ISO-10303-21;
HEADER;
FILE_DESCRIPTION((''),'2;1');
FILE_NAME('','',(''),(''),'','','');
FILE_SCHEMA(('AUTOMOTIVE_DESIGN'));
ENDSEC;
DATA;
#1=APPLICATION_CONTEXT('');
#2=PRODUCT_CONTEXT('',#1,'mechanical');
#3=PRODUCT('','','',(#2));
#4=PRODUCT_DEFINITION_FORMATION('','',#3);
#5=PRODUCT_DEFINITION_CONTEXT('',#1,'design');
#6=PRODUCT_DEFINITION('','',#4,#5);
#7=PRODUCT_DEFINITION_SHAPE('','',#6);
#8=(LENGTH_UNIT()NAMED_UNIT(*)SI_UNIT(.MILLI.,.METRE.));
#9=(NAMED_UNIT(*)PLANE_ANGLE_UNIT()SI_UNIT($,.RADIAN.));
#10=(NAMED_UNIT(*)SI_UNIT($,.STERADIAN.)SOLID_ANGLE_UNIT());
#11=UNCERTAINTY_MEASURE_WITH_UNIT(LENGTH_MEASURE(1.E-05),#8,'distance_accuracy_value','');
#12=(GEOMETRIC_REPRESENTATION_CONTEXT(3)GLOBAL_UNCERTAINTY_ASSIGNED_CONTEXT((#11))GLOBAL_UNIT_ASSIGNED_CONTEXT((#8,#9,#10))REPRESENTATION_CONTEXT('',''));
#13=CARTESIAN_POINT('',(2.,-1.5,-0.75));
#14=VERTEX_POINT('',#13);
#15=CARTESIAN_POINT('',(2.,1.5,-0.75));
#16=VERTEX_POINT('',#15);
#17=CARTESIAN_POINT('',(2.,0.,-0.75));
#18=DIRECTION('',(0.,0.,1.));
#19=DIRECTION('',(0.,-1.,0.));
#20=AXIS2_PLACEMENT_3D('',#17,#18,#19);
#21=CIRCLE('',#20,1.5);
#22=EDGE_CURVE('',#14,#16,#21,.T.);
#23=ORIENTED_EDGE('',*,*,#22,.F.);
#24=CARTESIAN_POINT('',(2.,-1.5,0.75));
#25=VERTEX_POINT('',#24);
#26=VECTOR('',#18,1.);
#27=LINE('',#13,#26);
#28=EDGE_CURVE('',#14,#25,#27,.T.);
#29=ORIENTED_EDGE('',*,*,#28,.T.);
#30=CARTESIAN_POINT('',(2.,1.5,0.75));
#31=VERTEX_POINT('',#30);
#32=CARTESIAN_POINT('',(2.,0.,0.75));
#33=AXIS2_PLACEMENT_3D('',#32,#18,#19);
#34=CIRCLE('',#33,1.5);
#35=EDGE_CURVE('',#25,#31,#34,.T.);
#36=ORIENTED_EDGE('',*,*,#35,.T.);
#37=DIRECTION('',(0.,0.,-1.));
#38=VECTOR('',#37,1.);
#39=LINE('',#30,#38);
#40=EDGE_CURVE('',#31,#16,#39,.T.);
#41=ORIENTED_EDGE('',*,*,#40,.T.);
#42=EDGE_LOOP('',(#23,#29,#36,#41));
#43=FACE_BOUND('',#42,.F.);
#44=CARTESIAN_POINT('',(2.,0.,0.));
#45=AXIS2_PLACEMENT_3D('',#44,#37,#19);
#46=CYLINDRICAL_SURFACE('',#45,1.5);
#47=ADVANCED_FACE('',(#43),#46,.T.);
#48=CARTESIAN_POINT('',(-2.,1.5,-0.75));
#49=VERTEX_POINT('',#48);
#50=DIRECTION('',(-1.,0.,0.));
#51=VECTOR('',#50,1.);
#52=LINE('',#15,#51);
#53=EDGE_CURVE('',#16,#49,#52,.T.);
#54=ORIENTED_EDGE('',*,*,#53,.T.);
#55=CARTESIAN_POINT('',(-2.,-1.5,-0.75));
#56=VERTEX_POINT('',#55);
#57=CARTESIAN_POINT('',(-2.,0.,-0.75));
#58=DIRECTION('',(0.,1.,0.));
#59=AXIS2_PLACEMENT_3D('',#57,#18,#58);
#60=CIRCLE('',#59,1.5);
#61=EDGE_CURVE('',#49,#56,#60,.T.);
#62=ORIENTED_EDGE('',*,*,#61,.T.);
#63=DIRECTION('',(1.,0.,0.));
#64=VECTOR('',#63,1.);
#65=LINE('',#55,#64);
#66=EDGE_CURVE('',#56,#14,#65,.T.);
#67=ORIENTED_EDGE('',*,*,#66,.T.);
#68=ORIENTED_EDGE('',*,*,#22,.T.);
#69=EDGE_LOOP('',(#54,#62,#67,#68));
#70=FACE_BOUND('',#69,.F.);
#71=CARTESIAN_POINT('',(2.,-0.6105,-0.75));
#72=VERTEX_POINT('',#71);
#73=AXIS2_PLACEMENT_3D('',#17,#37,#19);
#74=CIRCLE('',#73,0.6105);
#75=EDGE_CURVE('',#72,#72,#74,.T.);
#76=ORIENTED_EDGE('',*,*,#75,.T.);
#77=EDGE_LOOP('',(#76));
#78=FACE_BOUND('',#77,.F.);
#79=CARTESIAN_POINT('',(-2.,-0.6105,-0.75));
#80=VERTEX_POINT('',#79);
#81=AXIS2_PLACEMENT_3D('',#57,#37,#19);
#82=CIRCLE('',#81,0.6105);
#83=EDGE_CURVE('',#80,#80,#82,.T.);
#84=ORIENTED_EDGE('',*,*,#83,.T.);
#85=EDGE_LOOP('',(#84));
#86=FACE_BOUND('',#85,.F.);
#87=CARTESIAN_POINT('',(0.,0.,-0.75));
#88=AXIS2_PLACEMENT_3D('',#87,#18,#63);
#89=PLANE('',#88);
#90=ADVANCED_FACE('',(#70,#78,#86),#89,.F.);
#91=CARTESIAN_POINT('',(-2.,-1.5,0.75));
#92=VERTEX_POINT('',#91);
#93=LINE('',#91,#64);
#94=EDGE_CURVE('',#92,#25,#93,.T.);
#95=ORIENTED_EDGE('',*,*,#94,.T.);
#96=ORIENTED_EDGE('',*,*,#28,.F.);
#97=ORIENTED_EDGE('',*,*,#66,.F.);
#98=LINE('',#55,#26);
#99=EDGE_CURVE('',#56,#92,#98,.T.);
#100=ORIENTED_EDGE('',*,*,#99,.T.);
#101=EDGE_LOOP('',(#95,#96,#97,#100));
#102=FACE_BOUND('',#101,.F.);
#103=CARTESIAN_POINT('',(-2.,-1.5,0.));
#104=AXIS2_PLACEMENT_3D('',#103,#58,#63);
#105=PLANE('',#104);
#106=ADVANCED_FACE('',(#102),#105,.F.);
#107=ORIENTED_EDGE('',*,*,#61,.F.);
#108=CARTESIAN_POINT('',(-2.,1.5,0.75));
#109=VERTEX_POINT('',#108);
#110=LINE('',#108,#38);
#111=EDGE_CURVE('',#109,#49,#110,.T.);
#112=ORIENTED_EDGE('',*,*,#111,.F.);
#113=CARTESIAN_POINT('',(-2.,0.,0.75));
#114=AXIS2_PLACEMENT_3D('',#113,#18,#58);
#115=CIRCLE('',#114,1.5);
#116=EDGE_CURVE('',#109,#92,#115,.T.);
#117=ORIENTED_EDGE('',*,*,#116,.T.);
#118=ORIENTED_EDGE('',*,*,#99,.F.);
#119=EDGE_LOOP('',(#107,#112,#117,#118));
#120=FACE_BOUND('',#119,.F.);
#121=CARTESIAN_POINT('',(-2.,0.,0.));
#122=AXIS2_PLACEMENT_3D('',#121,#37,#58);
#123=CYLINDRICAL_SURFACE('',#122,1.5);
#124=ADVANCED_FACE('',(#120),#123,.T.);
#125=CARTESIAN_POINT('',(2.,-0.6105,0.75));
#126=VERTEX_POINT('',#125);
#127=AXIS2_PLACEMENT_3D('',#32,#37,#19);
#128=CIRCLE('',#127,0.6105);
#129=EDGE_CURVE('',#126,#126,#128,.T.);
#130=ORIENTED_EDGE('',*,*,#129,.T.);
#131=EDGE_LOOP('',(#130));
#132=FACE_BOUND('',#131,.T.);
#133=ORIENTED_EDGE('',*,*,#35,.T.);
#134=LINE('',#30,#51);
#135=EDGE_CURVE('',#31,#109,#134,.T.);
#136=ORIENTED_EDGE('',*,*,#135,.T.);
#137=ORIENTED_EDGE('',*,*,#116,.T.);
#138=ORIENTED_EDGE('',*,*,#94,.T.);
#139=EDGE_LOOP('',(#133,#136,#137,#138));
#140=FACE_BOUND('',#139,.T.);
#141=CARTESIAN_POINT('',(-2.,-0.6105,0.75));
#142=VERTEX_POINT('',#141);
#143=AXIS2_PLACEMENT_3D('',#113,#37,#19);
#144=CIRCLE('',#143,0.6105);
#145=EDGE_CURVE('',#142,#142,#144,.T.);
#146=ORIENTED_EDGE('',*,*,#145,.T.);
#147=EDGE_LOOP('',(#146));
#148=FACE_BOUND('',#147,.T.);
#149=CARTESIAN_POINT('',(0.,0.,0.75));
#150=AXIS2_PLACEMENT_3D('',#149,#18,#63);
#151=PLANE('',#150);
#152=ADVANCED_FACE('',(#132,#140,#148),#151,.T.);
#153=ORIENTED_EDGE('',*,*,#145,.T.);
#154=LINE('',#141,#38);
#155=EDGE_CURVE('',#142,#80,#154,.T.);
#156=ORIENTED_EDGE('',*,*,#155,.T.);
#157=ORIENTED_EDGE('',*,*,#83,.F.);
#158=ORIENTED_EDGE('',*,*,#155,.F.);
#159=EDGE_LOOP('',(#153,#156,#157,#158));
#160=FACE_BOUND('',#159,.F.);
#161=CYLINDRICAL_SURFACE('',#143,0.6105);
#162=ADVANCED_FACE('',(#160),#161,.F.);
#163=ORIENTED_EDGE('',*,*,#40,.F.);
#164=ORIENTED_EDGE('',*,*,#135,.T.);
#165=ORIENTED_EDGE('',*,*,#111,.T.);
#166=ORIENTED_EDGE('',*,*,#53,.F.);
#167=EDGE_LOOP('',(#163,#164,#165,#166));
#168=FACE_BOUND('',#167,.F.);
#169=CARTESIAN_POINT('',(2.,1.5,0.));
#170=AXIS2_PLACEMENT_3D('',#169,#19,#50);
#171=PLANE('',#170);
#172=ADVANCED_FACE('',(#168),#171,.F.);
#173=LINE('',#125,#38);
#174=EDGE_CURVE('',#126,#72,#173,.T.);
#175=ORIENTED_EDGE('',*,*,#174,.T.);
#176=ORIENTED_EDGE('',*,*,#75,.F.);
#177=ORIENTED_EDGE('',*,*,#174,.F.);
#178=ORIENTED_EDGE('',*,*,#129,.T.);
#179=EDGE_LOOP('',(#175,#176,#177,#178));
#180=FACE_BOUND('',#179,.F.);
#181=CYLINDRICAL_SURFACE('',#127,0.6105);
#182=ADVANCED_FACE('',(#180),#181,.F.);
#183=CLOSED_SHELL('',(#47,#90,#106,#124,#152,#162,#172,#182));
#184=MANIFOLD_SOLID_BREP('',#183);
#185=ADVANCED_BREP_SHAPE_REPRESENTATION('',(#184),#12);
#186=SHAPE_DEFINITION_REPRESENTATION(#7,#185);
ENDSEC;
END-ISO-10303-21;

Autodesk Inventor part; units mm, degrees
ref_plane "YZ Plane" through (0, 0, 0) normal (1, 0, 0) x (0, 1, 0)
ref_plane "XZ Plane" through (0, 0, 0) normal (0, 1, 0) x (-1, 0, 0)
ref_plane "XY Plane" through (0, 0, 0) normal (0, 0, 1) x (1, 0, 0)
sketch "Sketch1" plane through (0, 0, 0) normal (0, 0, 1) x (1, 0, 0)
  line L0 (-2, 0) -> (2, 0) construction
  line L1 (-2, -1.5) -> (2, -1.5)
  line L2 (2, 1.5) -> (-2, 1.5)
  arc A0 (-2, 1.5) -> (-2, -1.5) centre (-2, 0) ccw
  arc A1 (2, -1.5) -> (2, 1.5) centre (2, 0) ccw
  point P0 (0, 0)
  dimension "d1" = 3
  dimension "d11" = 4
extrude "Extrusion1" add sketch "Sketch1" along normal mid plane 1.5
sketch "Sketch2" plane through (0, 0, 0.75) normal (0, 0, 1) x (1, 0, 0)
  line L0 (-2, -1.5) -> (2, -1.5) projected
  arc A0 (2, -1.5) -> (2, 1.5) centre (2, 0) ccw projected
  line L1 (2, 1.5) -> (-2, 1.5) projected
  arc A1 (-2, 1.5) -> (-2, -1.5) centre (-2, 0) ccw projected
  point P0 (0, 0)
hole "Hole1" at (-2, 0, 0.75) at (2, 0, 0.75) direction (0, 0, -1) diameter 1.221 end through all thread size "M1.6x0.35" class "6H" standard "ANSI Metric M Profile"
properties part number "EPS_SwitchNut" material "Aluminum 6061"
